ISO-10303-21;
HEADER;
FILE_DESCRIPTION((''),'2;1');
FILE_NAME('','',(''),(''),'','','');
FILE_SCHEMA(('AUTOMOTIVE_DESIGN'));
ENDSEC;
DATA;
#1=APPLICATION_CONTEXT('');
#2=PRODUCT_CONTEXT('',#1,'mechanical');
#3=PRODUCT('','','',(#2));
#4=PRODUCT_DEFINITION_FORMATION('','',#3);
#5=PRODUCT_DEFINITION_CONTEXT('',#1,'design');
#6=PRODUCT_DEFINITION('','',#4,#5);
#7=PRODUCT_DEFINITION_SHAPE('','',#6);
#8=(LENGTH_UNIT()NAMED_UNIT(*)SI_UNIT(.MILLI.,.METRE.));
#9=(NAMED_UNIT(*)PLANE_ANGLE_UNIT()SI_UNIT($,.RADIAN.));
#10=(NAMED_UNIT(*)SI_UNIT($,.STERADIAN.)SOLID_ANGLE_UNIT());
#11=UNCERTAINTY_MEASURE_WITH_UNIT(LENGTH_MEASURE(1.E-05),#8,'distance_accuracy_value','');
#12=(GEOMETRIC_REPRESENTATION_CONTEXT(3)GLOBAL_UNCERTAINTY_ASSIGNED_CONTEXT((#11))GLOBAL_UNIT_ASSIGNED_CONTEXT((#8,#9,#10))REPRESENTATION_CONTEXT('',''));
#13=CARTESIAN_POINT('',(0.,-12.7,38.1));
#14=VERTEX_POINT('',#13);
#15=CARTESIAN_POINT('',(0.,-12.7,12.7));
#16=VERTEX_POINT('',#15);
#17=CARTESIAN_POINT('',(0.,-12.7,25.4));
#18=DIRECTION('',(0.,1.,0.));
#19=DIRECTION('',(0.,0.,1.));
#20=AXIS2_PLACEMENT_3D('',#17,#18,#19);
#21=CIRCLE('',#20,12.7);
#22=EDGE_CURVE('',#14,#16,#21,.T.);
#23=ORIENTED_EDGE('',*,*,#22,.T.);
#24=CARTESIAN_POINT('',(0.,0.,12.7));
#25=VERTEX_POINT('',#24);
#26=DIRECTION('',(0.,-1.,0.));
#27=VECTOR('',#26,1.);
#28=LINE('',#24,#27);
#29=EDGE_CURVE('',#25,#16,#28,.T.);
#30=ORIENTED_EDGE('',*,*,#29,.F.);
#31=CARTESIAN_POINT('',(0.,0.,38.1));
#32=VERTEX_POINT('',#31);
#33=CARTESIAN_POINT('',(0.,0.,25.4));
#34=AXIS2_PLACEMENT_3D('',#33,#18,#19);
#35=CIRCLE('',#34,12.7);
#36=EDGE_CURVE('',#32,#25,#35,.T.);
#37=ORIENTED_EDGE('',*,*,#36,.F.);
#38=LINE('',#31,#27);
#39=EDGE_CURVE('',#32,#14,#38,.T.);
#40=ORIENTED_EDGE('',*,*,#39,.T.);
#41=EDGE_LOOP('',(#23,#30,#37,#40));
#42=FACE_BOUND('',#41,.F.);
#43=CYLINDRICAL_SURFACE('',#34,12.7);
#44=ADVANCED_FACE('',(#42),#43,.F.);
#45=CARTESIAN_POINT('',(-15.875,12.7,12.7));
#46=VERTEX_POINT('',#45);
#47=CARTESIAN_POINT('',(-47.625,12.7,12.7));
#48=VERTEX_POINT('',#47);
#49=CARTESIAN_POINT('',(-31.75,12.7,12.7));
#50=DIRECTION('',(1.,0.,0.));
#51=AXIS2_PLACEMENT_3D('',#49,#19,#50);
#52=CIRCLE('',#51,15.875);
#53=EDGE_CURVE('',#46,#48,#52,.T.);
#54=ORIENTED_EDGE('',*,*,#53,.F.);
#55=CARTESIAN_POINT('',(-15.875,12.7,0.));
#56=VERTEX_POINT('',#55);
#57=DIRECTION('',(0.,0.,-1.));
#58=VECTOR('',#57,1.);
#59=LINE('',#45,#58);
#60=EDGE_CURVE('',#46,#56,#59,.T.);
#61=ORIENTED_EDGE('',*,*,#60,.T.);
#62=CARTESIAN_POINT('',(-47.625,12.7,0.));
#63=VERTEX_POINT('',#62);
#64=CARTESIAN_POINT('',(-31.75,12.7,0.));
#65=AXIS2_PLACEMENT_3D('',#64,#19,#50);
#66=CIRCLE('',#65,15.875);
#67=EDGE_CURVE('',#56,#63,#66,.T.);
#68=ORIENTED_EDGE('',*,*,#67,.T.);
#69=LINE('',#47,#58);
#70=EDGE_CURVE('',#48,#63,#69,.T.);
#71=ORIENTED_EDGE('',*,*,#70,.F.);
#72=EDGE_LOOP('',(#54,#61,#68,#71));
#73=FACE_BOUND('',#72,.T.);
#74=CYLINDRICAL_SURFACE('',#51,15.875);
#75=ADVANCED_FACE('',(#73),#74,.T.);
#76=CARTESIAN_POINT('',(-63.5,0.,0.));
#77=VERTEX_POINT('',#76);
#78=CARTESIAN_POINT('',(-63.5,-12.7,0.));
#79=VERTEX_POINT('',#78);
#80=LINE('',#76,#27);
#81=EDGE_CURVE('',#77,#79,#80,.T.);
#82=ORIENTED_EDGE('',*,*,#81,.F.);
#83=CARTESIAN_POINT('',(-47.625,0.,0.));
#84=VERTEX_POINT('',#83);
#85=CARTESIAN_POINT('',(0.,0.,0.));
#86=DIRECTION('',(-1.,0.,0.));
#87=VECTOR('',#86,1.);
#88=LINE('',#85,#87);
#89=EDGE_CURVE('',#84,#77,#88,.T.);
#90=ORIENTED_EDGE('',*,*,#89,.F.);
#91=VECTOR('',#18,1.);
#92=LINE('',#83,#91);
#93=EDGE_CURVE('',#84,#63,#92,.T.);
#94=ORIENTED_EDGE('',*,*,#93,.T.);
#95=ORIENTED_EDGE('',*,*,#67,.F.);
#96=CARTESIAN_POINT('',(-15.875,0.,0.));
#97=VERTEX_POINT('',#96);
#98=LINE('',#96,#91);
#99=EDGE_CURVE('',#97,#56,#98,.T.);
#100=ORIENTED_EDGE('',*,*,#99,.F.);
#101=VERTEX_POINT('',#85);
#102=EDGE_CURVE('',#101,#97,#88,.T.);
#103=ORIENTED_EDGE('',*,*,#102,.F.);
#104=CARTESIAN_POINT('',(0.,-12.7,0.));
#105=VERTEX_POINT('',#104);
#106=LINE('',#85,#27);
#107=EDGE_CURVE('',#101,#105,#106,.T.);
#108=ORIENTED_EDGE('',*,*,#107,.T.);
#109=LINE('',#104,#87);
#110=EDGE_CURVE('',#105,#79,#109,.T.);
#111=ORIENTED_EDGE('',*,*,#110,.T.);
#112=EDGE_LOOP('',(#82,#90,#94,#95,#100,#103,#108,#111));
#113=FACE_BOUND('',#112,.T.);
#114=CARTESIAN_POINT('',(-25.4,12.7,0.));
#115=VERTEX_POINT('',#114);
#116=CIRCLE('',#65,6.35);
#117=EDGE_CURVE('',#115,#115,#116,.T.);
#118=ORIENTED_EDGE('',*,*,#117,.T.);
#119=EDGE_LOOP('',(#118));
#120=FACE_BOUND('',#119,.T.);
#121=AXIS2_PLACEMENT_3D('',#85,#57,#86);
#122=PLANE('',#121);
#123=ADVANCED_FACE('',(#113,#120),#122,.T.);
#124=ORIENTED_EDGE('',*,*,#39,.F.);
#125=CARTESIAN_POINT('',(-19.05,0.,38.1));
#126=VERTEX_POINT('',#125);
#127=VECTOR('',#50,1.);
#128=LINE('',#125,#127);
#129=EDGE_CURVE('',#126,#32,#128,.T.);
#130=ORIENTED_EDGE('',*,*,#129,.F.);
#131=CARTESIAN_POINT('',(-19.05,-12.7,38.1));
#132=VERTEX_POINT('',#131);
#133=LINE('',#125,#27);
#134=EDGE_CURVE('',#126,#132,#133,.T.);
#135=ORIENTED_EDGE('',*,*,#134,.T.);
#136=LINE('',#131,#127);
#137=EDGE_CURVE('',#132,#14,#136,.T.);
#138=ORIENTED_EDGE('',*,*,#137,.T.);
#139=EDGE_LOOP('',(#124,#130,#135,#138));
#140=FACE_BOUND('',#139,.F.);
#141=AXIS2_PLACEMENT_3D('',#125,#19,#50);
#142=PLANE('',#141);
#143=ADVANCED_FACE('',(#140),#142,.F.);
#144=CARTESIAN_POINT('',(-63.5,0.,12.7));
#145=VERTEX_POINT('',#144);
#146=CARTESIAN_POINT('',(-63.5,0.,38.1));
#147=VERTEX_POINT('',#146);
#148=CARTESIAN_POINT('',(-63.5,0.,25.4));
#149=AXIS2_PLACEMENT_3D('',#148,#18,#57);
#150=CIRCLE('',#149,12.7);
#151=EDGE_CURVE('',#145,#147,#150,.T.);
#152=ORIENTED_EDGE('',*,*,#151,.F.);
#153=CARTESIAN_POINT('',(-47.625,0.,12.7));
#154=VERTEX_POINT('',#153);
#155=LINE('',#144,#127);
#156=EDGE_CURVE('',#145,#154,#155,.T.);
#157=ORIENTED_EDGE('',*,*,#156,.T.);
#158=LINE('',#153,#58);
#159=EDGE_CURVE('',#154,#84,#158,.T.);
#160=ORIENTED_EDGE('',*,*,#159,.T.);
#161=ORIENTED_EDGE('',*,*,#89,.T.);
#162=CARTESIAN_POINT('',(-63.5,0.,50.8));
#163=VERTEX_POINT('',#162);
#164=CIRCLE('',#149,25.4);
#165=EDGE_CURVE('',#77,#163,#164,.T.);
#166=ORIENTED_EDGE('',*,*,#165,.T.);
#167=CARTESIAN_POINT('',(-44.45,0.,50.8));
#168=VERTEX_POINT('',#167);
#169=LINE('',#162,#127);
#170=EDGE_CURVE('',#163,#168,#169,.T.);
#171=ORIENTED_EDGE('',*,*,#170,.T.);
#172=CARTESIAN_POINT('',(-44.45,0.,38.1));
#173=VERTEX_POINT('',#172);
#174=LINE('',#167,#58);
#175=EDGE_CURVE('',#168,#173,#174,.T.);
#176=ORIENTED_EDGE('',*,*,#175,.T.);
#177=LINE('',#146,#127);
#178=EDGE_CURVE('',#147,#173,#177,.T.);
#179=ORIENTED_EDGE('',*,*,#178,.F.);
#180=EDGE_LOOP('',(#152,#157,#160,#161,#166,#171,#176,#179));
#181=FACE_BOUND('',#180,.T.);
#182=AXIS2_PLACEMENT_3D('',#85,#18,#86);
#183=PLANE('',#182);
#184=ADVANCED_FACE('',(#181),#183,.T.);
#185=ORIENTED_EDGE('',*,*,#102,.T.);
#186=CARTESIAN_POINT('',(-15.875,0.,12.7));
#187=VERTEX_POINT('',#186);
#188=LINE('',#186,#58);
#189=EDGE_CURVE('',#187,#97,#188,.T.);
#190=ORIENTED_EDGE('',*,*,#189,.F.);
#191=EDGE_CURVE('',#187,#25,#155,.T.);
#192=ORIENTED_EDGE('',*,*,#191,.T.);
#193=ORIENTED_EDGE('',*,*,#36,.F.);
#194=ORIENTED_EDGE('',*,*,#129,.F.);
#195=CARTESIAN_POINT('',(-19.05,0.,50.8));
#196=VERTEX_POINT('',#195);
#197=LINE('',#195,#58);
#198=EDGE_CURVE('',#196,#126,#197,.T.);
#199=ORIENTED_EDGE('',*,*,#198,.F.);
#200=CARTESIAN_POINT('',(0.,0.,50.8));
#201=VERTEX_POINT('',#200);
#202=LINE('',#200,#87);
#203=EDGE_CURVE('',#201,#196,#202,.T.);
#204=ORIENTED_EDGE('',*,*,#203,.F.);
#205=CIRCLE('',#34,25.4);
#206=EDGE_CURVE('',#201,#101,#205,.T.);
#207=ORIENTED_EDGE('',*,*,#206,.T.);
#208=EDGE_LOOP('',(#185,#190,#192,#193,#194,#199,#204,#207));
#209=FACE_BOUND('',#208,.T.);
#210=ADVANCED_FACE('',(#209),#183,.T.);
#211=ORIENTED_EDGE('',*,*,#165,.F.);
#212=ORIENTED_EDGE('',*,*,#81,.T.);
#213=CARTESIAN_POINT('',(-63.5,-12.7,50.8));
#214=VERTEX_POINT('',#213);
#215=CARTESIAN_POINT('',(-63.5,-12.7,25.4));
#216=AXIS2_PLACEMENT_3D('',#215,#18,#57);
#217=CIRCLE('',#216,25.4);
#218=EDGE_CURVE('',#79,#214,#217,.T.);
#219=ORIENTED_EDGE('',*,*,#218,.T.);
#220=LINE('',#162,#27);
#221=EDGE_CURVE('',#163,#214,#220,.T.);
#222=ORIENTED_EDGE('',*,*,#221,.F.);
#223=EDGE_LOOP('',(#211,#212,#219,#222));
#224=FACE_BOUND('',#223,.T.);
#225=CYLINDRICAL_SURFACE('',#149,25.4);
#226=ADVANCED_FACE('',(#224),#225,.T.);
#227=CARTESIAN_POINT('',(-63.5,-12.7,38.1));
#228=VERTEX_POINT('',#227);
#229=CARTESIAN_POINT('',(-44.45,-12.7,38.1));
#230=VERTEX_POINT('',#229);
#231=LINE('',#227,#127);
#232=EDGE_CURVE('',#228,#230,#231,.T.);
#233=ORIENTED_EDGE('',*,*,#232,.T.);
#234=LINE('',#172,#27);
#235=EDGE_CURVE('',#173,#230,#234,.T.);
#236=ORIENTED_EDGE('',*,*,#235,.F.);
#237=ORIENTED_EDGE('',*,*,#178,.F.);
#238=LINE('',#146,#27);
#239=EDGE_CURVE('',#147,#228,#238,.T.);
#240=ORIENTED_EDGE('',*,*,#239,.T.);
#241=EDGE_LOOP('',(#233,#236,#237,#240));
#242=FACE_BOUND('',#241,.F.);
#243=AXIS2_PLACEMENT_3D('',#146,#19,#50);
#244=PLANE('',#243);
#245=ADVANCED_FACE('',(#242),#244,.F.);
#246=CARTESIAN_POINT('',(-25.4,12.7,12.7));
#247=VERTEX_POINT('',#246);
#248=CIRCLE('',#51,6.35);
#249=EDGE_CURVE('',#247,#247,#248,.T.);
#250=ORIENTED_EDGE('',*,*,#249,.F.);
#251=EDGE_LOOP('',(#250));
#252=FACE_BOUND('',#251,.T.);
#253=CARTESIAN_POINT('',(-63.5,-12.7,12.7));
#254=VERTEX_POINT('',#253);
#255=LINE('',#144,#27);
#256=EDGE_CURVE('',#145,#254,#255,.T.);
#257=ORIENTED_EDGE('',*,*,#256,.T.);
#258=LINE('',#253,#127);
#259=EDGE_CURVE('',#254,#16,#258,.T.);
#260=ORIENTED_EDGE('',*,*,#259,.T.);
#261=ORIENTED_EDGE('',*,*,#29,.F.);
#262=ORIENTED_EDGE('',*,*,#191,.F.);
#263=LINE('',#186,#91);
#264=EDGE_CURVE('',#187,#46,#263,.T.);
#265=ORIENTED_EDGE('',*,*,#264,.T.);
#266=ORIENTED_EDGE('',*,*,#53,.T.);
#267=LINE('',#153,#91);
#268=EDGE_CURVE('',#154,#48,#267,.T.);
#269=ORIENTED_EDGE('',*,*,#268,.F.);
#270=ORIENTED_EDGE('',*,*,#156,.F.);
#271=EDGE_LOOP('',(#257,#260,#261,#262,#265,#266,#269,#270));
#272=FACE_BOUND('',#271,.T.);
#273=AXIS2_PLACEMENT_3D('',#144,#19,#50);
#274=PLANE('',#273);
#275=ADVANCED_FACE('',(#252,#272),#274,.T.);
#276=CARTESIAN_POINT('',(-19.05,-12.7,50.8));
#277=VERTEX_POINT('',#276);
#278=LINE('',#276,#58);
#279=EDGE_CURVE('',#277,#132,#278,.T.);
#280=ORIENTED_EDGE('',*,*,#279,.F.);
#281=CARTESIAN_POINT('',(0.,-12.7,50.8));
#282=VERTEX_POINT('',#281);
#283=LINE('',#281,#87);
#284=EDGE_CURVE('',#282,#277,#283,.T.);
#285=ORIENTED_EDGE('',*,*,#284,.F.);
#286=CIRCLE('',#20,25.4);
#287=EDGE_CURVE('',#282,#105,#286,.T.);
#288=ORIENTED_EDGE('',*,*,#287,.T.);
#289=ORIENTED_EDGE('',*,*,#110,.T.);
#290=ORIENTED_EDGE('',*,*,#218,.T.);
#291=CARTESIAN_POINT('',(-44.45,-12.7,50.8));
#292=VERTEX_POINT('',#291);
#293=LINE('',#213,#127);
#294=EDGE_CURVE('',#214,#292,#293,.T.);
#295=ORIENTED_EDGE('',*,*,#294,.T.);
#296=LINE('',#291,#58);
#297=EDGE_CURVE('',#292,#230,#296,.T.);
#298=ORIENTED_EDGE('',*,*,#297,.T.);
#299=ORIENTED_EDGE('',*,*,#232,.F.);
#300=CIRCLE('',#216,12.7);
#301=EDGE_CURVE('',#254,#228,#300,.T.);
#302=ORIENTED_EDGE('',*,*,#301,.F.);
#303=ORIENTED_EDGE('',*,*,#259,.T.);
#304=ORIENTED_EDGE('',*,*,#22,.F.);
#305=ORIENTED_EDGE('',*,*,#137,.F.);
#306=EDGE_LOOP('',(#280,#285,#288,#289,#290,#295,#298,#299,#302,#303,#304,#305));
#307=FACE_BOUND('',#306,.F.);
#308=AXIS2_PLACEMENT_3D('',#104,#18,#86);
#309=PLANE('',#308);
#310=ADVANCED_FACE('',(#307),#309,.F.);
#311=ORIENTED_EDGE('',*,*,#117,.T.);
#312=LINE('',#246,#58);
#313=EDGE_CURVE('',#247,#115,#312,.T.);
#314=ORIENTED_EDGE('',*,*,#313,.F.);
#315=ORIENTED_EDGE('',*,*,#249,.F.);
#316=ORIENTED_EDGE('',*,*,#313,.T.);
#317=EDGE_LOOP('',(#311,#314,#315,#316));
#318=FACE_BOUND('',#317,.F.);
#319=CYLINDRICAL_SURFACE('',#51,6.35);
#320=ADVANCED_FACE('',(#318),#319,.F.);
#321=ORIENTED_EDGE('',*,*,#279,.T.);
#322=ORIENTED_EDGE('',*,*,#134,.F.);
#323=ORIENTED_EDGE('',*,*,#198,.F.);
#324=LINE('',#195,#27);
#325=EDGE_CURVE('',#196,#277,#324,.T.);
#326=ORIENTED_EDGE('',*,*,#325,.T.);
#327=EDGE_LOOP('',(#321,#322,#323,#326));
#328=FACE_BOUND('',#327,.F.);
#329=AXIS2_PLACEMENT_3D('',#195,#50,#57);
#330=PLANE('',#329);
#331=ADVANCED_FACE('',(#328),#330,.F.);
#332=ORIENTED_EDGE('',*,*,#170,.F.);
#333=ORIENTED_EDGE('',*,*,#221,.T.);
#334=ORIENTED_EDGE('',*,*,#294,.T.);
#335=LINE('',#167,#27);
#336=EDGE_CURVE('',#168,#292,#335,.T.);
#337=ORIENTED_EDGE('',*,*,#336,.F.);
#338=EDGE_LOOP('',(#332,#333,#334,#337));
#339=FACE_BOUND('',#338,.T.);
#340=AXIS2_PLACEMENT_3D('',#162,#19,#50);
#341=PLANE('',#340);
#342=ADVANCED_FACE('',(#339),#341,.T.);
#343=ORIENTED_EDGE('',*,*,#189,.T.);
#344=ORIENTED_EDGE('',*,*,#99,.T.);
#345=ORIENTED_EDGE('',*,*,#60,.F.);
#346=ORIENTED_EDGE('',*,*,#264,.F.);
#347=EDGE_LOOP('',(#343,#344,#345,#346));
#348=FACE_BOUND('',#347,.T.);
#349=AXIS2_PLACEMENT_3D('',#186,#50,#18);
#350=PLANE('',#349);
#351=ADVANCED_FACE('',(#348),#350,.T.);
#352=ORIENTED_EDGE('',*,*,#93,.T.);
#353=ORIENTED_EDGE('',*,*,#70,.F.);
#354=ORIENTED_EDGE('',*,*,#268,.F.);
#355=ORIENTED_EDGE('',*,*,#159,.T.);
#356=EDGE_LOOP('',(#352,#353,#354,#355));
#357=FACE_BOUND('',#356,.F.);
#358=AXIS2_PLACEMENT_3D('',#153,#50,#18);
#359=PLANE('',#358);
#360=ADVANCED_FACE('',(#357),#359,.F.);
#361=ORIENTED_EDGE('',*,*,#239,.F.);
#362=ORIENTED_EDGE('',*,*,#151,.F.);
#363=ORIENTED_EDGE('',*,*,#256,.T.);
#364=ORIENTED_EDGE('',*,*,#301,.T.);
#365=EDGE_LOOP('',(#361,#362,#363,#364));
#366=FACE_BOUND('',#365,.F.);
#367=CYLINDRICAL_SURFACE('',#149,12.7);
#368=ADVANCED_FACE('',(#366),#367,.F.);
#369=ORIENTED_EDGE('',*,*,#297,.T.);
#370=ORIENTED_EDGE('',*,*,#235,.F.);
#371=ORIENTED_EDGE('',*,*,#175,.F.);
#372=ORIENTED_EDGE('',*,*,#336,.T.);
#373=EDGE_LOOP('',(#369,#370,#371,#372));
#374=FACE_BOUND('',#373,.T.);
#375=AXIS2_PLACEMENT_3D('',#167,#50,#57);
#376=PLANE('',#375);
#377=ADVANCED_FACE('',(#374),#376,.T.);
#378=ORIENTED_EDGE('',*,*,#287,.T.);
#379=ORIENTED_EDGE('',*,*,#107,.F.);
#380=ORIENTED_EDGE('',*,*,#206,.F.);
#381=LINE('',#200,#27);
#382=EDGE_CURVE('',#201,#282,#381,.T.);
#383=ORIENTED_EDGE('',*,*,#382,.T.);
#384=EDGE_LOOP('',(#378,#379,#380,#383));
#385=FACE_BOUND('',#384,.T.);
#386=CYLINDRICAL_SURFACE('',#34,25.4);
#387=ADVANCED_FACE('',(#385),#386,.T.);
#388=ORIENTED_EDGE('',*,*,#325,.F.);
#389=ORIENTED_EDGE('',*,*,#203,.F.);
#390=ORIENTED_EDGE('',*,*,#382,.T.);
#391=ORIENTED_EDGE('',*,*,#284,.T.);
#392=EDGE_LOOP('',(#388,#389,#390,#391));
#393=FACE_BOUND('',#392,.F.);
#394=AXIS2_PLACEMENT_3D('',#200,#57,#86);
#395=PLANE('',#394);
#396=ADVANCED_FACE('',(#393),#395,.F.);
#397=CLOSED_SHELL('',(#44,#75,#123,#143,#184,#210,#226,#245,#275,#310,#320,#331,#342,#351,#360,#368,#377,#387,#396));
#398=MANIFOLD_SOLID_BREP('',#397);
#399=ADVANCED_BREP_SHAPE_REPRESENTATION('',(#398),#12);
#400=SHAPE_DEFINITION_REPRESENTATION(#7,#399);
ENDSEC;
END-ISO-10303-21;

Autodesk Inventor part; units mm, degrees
ref_plane "YZ Plane" through (0, 0, 0) normal (1, 0, 0) x (0, 1, 0)
ref_plane "XZ Plane" through (0, 0, 0) normal (0, 1, 0) x (-1, 0, 0)
ref_plane "XY Plane" through (0, 0, 0) normal (0, 0, 1) x (1, 0, 0)
sketch "Sketch1" plane through (0, 0, 0) normal (0, 1, 0) x (-1, 0, 0)
  line L0 (0, 0) -> (63.5, 0)
  arc A0 (63.5, 0) -> (63.5, 50.8) centre (63.5, 25.4) ccw
  arc A1 (63.5, 12.7) -> (63.5, 38.1) centre (63.5, 25.4) ccw
  line L1 (63.5, 12.7) -> (0, 12.7)
  arc A2 (0, 38.1) -> (0, 12.7) centre (0, 25.4) ccw
  arc A3 (0, 50.8) -> (0, 0) centre (0, 25.4) ccw
  line L2 (63.5, 38.1) -> (44.45, 38.1)
  line L3 (63.5, 50.8) -> (44.45, 50.8)
  line L4 (44.45, 50.8) -> (44.45, 38.1)
  line L5 (0, 50.8) -> (19.05, 50.8)
  line L6 (19.05, 50.8) -> (19.05, 38.1)
  line L7 (19.05, 38.1) -> (0, 38.1)
  point P0 (63.5, 50.8)
  dimension "d0" = 63.5
  dimension "d2" = 25.4
  dimension "d5" = 19.05
  dimension "d6" = 19.05
extrude "Extrusion1" add sketch "Sketch1" against normal blind 12.7
sketch "Sketch2" plane through (-63.5, 0, 12.7) normal (0, 0, 1) x (1, 0, 0)
  line L0 (63.5, 0) -> (0, 0) projected
  line L1 (0, 0) -> (15.875, 0)
  line L2 (63.5, 0) -> (47.625, 0)
  line L3 (47.625, 0) -> (47.625, 12.7)
  line L4 (15.875, 0) -> (15.875, 12.7)
  circle A0 centre (31.75, 12.7) radius 6.35
  arc A1 (47.625, 12.7) -> (15.875, 12.7) centre (31.75, 12.7) ccw
  dimension "d9" = 15.875
  dimension "d10" = 15.875
  dimension "d11" = 12.7
  dimension "d12" = 12.7
  dimension "d15" = 12.7
extrude "Extrusion2" add sketch "Sketch2" against normal blind 12.7
properties part number "Assignment 3.4 - Coupling Base"
